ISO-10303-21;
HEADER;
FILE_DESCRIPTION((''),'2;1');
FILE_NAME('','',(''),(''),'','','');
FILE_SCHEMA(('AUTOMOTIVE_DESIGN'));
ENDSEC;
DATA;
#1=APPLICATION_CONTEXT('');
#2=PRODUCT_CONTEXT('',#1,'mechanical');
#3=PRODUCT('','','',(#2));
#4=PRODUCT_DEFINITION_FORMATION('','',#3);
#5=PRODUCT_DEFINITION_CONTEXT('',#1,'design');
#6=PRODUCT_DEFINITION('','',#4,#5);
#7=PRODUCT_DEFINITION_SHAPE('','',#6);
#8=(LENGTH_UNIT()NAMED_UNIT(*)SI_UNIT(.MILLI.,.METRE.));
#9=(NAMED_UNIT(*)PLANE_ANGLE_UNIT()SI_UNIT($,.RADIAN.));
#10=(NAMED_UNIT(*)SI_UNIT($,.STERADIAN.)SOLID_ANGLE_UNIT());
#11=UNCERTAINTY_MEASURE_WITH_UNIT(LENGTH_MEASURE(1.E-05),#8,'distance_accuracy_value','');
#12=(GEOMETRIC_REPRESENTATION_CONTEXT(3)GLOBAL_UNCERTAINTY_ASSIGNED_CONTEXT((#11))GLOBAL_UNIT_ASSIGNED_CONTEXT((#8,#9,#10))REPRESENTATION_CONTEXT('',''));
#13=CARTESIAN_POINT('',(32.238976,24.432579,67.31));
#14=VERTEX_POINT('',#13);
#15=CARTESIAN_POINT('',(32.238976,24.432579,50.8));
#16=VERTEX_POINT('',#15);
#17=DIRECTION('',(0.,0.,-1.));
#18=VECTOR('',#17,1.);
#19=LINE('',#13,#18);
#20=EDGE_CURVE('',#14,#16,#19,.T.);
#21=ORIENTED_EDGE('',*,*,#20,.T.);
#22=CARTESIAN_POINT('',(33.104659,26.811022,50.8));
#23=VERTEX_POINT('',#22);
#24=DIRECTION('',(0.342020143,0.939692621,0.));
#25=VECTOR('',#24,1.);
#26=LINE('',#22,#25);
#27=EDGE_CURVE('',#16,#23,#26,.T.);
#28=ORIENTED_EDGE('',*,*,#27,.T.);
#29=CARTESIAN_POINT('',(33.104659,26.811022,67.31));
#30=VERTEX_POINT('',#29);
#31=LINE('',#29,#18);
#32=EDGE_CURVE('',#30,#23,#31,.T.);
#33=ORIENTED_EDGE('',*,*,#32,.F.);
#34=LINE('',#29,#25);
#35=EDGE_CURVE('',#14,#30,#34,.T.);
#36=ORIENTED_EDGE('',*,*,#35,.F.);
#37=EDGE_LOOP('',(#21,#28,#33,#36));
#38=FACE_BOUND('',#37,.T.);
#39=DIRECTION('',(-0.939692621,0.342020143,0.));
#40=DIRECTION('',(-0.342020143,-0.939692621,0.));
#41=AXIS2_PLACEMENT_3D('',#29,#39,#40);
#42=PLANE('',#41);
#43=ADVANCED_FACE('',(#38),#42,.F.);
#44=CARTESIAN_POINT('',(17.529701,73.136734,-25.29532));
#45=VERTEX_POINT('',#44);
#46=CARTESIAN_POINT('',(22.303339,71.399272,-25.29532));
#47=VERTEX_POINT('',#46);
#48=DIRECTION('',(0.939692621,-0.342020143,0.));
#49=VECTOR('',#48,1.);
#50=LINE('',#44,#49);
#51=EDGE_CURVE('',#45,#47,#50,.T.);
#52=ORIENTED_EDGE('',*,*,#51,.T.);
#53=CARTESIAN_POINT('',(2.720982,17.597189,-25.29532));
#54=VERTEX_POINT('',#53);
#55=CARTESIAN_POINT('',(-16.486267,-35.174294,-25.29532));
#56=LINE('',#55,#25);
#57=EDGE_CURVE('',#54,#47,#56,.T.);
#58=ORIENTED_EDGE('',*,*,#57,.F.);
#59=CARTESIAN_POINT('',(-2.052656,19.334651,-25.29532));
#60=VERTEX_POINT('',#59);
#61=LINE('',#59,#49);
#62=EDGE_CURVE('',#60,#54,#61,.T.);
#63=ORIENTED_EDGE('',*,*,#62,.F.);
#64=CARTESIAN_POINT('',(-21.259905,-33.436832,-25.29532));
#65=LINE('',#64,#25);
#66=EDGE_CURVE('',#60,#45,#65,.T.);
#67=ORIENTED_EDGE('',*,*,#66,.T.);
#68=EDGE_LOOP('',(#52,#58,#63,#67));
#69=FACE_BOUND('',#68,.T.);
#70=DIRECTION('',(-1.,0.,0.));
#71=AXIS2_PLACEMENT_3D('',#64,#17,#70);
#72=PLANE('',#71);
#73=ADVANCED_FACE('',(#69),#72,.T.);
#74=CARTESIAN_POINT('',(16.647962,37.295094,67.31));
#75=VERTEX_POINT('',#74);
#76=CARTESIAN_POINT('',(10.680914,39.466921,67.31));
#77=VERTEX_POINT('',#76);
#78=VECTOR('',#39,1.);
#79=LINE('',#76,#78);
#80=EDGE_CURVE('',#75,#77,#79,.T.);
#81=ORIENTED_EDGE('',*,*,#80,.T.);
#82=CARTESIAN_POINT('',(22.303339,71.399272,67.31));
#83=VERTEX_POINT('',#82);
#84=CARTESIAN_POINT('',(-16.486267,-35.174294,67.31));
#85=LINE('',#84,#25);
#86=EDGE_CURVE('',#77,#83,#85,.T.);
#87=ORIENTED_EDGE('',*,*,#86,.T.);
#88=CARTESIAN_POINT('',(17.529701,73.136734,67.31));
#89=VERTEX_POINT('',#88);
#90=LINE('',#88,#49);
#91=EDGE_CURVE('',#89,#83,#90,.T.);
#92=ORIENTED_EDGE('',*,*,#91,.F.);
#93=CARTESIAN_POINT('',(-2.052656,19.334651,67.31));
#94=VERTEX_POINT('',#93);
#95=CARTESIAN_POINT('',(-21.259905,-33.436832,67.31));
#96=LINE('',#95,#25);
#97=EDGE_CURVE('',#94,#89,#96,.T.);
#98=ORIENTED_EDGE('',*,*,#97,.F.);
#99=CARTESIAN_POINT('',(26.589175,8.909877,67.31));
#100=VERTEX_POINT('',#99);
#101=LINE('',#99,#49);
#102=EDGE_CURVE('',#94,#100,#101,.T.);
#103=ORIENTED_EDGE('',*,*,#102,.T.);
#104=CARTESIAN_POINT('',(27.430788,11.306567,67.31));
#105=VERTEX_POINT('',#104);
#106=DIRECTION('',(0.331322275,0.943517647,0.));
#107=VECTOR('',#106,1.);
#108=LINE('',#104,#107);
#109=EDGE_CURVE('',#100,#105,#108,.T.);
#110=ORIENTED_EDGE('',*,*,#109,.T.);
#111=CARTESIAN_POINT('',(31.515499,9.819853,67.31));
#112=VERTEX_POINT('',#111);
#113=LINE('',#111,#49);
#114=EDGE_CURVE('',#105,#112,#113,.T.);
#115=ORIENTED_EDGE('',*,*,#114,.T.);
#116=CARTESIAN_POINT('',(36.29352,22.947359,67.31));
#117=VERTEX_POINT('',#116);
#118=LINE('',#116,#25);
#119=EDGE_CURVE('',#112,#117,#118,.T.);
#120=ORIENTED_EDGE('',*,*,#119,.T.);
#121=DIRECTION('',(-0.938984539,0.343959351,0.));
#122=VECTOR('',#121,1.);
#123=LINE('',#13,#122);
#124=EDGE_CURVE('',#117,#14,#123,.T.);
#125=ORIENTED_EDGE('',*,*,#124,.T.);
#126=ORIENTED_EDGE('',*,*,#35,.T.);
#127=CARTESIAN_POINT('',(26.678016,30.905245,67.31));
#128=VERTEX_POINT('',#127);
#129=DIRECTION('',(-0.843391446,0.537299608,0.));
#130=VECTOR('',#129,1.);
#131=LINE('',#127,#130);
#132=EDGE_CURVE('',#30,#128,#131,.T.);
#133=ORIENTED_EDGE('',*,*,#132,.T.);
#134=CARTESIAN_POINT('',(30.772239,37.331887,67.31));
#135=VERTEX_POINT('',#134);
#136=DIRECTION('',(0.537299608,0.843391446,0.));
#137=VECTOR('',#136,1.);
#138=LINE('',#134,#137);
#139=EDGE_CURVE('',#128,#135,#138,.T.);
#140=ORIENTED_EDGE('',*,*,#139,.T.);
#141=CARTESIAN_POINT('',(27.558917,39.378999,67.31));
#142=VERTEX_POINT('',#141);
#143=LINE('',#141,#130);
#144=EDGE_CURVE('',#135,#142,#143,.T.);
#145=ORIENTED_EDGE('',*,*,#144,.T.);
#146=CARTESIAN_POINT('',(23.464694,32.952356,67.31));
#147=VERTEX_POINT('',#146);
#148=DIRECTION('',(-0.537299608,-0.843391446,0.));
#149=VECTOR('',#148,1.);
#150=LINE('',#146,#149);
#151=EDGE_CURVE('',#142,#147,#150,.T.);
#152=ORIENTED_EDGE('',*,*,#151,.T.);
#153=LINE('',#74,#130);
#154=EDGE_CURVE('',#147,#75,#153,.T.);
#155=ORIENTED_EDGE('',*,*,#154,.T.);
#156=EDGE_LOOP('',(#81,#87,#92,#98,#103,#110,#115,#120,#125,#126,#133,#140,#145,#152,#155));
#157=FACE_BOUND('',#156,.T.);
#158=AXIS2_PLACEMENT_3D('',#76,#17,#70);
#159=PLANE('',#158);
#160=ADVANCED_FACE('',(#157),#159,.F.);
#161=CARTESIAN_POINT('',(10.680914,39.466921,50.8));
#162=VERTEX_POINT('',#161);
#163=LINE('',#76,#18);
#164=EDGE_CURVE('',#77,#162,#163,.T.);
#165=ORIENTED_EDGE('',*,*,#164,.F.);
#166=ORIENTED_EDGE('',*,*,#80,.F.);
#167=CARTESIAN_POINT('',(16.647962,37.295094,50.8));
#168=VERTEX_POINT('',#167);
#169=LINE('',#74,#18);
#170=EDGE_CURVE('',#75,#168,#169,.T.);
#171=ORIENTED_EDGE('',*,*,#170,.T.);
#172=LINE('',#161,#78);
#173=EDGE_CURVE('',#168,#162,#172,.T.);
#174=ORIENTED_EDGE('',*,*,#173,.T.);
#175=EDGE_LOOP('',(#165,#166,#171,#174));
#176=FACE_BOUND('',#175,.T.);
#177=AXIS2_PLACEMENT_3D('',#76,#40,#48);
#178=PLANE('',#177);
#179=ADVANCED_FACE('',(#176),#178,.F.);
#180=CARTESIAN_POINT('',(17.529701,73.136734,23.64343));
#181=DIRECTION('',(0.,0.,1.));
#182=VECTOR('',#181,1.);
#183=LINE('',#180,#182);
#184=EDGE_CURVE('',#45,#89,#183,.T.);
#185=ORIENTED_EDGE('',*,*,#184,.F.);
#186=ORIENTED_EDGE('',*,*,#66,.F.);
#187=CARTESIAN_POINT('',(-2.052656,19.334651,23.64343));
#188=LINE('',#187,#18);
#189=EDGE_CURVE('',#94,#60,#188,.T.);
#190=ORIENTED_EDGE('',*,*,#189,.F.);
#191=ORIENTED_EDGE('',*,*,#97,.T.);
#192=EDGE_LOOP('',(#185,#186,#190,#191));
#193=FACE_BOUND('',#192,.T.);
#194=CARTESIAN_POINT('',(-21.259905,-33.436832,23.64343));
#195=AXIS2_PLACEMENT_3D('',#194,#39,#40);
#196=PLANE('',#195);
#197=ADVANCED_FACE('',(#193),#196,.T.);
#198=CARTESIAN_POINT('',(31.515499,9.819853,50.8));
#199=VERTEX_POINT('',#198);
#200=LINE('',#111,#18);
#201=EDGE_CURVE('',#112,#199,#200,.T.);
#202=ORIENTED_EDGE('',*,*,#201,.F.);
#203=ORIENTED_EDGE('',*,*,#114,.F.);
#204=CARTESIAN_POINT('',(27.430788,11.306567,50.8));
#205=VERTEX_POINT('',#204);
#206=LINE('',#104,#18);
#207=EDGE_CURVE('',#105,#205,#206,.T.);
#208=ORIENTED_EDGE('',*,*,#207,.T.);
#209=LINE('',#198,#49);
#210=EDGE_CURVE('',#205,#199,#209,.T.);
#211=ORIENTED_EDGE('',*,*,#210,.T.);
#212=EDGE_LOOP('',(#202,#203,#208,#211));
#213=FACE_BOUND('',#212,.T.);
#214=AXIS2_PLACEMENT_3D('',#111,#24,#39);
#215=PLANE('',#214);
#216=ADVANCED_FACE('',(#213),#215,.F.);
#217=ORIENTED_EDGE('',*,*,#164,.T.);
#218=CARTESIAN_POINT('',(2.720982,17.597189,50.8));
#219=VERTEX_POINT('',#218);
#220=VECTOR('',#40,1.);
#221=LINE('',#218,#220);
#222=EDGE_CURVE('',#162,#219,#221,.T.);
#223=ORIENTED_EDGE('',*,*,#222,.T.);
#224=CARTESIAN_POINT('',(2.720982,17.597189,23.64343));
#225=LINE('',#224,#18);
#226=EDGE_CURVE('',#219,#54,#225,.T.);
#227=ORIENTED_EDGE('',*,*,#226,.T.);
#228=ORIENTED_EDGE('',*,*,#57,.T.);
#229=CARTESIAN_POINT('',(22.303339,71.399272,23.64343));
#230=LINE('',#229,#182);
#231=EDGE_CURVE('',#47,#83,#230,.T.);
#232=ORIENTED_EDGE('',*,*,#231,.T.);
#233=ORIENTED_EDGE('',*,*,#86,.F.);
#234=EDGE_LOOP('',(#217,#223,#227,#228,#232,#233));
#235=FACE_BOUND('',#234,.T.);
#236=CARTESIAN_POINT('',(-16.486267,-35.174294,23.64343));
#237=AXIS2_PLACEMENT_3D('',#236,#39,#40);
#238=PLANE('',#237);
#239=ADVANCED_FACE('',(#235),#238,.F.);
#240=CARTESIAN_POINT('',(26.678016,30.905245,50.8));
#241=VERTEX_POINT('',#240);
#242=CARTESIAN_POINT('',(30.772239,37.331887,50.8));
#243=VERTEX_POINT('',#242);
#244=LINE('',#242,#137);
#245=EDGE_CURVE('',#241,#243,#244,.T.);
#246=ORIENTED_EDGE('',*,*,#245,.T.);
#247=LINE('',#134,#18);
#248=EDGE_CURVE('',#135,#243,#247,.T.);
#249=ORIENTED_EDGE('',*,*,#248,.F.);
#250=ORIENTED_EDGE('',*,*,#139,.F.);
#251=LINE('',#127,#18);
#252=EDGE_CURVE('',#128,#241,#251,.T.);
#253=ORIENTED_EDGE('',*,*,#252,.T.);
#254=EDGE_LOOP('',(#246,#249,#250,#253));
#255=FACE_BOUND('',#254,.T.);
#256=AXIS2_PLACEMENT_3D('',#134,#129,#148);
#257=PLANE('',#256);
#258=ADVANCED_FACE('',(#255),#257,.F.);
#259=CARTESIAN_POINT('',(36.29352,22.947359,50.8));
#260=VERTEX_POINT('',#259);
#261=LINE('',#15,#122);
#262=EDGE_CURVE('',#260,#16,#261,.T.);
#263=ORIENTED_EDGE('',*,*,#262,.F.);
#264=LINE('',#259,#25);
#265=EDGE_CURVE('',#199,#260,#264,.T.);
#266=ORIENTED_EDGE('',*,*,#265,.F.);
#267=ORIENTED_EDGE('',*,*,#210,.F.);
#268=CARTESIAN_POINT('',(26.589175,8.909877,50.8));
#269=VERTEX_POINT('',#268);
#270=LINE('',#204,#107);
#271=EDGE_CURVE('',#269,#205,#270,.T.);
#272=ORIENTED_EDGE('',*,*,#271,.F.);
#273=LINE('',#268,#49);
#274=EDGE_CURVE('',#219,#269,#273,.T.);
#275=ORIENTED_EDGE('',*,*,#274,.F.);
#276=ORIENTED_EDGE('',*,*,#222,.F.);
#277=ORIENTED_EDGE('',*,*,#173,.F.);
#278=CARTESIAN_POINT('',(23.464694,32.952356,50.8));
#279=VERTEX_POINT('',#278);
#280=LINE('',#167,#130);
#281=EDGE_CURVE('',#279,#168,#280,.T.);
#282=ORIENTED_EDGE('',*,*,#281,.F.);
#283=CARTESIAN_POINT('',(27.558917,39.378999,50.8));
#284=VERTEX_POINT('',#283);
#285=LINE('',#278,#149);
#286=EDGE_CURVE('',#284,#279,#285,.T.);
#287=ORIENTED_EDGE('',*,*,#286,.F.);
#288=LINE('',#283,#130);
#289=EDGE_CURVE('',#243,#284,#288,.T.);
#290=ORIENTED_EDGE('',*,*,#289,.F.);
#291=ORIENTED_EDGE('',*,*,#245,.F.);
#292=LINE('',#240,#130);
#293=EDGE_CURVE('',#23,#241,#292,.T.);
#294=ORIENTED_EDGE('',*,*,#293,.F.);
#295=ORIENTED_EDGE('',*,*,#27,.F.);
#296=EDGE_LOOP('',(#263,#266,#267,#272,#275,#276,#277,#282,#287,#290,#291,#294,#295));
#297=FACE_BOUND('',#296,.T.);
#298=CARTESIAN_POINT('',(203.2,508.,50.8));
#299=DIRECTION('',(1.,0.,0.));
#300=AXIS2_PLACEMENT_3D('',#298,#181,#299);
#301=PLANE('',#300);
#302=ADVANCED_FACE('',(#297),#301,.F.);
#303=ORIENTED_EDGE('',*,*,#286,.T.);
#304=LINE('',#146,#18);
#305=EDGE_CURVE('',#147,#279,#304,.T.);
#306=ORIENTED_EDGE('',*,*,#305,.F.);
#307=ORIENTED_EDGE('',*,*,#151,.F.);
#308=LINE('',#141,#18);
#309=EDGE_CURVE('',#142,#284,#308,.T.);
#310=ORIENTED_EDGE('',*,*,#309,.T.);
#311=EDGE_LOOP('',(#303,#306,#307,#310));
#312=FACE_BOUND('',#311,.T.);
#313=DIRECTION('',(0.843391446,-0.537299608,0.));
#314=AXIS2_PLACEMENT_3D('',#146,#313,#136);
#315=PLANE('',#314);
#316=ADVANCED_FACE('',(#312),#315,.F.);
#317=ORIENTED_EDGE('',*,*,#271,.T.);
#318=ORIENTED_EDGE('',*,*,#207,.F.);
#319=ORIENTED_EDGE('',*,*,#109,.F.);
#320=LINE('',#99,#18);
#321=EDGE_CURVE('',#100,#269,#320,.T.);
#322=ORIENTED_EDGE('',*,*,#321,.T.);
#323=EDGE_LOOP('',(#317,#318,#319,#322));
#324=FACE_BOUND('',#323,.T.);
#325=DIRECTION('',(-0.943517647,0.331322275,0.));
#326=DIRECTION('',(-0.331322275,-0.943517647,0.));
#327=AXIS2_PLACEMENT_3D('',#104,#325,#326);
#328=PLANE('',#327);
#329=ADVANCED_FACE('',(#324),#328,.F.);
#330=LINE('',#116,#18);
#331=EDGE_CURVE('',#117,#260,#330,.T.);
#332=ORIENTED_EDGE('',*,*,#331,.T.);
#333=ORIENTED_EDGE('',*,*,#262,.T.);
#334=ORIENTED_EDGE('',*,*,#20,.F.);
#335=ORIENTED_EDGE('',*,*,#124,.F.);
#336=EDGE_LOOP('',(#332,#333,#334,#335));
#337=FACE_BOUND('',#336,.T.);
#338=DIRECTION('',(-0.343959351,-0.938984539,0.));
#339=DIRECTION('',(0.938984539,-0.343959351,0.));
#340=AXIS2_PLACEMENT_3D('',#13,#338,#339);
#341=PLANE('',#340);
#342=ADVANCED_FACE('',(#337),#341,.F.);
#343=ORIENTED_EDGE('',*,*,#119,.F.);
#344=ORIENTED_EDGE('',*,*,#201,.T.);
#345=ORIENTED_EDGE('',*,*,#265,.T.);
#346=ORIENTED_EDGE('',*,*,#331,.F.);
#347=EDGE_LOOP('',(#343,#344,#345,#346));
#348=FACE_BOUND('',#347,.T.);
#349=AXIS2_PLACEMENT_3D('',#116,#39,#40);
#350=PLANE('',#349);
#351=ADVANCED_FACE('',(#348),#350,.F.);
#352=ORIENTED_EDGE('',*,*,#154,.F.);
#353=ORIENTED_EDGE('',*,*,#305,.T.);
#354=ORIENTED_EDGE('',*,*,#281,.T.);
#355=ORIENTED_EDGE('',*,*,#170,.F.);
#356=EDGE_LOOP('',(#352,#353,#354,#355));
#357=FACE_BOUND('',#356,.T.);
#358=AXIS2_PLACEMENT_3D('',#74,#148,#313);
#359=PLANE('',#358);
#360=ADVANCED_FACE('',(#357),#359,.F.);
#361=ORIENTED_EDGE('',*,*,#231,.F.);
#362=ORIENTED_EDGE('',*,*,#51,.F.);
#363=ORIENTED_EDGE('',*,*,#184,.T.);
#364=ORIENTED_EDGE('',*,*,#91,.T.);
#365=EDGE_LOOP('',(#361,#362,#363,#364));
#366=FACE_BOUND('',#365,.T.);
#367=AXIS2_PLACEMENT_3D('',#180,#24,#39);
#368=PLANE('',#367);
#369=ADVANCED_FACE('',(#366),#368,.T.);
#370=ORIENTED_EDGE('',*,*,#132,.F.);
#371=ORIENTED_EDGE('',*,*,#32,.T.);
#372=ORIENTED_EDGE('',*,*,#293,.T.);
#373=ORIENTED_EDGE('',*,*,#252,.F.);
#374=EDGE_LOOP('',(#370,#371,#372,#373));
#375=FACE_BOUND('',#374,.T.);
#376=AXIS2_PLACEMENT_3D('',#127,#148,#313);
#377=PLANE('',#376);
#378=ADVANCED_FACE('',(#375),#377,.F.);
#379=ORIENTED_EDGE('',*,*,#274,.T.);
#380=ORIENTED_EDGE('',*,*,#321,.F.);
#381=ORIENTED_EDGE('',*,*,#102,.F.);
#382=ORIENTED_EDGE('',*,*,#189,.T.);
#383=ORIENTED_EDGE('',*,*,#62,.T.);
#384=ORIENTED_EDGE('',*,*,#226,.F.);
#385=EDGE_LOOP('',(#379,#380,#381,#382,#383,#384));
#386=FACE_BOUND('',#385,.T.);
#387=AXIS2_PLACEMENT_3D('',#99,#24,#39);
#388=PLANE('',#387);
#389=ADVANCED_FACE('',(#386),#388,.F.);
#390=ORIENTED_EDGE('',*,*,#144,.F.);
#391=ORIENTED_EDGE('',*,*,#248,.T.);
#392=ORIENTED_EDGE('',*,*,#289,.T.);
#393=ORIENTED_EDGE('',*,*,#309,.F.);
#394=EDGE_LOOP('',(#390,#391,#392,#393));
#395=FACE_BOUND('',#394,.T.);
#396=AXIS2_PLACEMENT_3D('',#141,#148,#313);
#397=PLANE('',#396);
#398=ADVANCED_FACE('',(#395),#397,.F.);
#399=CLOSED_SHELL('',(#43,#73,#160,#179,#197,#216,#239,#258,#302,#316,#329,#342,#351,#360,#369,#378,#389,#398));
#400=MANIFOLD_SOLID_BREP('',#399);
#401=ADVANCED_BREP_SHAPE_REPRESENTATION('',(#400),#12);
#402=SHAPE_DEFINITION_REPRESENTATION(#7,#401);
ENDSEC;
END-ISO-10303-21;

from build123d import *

# Parameters (mm, degrees)
SKETCH1_W      = 203.2
SKETCH1_H      = 101.6
EXTRUDE1_DEPTH = 50.8
EXTRUDE2_DEPTH = 16.51
SKETCH23_W     = 203.2
SKETCH23_H     = 50.8
EXTRUDE3_DEPTH = 508
SKETCH24_W     = 16.51
SKETCH24_H     = 23.273283323
EXTRUDE6_DEPTH = 5.08


with BuildPart() as part:
    # Sketch1 → Extrude1 (new body)
    with BuildSketch(Plane.XY):
        with Locations((101.6, 50.8)):
            Rectangle(SKETCH1_W, SKETCH1_H)
    extrude(amount=EXTRUDE1_DEPTH)

    # Sketch21 → Extrude2 (add)
    with BuildSketch(Plane.XY.offset(50.8)):
        Polygon((10.680914086, 39.466921448), (16.647962228, 37.295093538), (23.464694461, 32.952356157), (27.558917476, 39.378998974), (30.772238885, 37.331887466), (26.678015869, 30.905244649), (33.104658686, 26.811021633), (32.238976379, 24.432579042), (36.293520259, 22.947359397), (31.515498857, 9.819853485), (27.43078785, 11.306566707), (26.589174956, 8.909877207), (2.720982388, 17.597188848), align=None)
    extrude(amount=EXTRUDE2_DEPTH)

    # Sketch23 → Extrude3 (cut)
    with BuildSketch(Plane.XZ):
        with Locations((101.6, 25.4)):
            Rectangle(SKETCH23_W, SKETCH23_H)
    extrude(amount=-EXTRUDE3_DEPTH, mode=Mode.SUBTRACT)

    # Sketch24 → Extrude6 (add)
    with BuildSketch(Plane(origin=(-3.252939565, 1.183973176, 0), x_dir=(0, 0, 1), z_dir=(-0.9396926207859065, 0.3420201433256742, 0))):
        Polygon((-25.295320048, 17.466579293), (50.8, 17.466579293), (50.8, 40.739862616), (67.31, 40.739862616), (67.31, 74.721559979), (50.8, 74.721559979), (-25.295320048, 74.721559979), align=None)
        with Locations((59.055, 29.103220955)):
            Rectangle(SKETCH24_W, SKETCH24_H)
    extrude(amount=EXTRUDE6_DEPTH)


solid = part.part
